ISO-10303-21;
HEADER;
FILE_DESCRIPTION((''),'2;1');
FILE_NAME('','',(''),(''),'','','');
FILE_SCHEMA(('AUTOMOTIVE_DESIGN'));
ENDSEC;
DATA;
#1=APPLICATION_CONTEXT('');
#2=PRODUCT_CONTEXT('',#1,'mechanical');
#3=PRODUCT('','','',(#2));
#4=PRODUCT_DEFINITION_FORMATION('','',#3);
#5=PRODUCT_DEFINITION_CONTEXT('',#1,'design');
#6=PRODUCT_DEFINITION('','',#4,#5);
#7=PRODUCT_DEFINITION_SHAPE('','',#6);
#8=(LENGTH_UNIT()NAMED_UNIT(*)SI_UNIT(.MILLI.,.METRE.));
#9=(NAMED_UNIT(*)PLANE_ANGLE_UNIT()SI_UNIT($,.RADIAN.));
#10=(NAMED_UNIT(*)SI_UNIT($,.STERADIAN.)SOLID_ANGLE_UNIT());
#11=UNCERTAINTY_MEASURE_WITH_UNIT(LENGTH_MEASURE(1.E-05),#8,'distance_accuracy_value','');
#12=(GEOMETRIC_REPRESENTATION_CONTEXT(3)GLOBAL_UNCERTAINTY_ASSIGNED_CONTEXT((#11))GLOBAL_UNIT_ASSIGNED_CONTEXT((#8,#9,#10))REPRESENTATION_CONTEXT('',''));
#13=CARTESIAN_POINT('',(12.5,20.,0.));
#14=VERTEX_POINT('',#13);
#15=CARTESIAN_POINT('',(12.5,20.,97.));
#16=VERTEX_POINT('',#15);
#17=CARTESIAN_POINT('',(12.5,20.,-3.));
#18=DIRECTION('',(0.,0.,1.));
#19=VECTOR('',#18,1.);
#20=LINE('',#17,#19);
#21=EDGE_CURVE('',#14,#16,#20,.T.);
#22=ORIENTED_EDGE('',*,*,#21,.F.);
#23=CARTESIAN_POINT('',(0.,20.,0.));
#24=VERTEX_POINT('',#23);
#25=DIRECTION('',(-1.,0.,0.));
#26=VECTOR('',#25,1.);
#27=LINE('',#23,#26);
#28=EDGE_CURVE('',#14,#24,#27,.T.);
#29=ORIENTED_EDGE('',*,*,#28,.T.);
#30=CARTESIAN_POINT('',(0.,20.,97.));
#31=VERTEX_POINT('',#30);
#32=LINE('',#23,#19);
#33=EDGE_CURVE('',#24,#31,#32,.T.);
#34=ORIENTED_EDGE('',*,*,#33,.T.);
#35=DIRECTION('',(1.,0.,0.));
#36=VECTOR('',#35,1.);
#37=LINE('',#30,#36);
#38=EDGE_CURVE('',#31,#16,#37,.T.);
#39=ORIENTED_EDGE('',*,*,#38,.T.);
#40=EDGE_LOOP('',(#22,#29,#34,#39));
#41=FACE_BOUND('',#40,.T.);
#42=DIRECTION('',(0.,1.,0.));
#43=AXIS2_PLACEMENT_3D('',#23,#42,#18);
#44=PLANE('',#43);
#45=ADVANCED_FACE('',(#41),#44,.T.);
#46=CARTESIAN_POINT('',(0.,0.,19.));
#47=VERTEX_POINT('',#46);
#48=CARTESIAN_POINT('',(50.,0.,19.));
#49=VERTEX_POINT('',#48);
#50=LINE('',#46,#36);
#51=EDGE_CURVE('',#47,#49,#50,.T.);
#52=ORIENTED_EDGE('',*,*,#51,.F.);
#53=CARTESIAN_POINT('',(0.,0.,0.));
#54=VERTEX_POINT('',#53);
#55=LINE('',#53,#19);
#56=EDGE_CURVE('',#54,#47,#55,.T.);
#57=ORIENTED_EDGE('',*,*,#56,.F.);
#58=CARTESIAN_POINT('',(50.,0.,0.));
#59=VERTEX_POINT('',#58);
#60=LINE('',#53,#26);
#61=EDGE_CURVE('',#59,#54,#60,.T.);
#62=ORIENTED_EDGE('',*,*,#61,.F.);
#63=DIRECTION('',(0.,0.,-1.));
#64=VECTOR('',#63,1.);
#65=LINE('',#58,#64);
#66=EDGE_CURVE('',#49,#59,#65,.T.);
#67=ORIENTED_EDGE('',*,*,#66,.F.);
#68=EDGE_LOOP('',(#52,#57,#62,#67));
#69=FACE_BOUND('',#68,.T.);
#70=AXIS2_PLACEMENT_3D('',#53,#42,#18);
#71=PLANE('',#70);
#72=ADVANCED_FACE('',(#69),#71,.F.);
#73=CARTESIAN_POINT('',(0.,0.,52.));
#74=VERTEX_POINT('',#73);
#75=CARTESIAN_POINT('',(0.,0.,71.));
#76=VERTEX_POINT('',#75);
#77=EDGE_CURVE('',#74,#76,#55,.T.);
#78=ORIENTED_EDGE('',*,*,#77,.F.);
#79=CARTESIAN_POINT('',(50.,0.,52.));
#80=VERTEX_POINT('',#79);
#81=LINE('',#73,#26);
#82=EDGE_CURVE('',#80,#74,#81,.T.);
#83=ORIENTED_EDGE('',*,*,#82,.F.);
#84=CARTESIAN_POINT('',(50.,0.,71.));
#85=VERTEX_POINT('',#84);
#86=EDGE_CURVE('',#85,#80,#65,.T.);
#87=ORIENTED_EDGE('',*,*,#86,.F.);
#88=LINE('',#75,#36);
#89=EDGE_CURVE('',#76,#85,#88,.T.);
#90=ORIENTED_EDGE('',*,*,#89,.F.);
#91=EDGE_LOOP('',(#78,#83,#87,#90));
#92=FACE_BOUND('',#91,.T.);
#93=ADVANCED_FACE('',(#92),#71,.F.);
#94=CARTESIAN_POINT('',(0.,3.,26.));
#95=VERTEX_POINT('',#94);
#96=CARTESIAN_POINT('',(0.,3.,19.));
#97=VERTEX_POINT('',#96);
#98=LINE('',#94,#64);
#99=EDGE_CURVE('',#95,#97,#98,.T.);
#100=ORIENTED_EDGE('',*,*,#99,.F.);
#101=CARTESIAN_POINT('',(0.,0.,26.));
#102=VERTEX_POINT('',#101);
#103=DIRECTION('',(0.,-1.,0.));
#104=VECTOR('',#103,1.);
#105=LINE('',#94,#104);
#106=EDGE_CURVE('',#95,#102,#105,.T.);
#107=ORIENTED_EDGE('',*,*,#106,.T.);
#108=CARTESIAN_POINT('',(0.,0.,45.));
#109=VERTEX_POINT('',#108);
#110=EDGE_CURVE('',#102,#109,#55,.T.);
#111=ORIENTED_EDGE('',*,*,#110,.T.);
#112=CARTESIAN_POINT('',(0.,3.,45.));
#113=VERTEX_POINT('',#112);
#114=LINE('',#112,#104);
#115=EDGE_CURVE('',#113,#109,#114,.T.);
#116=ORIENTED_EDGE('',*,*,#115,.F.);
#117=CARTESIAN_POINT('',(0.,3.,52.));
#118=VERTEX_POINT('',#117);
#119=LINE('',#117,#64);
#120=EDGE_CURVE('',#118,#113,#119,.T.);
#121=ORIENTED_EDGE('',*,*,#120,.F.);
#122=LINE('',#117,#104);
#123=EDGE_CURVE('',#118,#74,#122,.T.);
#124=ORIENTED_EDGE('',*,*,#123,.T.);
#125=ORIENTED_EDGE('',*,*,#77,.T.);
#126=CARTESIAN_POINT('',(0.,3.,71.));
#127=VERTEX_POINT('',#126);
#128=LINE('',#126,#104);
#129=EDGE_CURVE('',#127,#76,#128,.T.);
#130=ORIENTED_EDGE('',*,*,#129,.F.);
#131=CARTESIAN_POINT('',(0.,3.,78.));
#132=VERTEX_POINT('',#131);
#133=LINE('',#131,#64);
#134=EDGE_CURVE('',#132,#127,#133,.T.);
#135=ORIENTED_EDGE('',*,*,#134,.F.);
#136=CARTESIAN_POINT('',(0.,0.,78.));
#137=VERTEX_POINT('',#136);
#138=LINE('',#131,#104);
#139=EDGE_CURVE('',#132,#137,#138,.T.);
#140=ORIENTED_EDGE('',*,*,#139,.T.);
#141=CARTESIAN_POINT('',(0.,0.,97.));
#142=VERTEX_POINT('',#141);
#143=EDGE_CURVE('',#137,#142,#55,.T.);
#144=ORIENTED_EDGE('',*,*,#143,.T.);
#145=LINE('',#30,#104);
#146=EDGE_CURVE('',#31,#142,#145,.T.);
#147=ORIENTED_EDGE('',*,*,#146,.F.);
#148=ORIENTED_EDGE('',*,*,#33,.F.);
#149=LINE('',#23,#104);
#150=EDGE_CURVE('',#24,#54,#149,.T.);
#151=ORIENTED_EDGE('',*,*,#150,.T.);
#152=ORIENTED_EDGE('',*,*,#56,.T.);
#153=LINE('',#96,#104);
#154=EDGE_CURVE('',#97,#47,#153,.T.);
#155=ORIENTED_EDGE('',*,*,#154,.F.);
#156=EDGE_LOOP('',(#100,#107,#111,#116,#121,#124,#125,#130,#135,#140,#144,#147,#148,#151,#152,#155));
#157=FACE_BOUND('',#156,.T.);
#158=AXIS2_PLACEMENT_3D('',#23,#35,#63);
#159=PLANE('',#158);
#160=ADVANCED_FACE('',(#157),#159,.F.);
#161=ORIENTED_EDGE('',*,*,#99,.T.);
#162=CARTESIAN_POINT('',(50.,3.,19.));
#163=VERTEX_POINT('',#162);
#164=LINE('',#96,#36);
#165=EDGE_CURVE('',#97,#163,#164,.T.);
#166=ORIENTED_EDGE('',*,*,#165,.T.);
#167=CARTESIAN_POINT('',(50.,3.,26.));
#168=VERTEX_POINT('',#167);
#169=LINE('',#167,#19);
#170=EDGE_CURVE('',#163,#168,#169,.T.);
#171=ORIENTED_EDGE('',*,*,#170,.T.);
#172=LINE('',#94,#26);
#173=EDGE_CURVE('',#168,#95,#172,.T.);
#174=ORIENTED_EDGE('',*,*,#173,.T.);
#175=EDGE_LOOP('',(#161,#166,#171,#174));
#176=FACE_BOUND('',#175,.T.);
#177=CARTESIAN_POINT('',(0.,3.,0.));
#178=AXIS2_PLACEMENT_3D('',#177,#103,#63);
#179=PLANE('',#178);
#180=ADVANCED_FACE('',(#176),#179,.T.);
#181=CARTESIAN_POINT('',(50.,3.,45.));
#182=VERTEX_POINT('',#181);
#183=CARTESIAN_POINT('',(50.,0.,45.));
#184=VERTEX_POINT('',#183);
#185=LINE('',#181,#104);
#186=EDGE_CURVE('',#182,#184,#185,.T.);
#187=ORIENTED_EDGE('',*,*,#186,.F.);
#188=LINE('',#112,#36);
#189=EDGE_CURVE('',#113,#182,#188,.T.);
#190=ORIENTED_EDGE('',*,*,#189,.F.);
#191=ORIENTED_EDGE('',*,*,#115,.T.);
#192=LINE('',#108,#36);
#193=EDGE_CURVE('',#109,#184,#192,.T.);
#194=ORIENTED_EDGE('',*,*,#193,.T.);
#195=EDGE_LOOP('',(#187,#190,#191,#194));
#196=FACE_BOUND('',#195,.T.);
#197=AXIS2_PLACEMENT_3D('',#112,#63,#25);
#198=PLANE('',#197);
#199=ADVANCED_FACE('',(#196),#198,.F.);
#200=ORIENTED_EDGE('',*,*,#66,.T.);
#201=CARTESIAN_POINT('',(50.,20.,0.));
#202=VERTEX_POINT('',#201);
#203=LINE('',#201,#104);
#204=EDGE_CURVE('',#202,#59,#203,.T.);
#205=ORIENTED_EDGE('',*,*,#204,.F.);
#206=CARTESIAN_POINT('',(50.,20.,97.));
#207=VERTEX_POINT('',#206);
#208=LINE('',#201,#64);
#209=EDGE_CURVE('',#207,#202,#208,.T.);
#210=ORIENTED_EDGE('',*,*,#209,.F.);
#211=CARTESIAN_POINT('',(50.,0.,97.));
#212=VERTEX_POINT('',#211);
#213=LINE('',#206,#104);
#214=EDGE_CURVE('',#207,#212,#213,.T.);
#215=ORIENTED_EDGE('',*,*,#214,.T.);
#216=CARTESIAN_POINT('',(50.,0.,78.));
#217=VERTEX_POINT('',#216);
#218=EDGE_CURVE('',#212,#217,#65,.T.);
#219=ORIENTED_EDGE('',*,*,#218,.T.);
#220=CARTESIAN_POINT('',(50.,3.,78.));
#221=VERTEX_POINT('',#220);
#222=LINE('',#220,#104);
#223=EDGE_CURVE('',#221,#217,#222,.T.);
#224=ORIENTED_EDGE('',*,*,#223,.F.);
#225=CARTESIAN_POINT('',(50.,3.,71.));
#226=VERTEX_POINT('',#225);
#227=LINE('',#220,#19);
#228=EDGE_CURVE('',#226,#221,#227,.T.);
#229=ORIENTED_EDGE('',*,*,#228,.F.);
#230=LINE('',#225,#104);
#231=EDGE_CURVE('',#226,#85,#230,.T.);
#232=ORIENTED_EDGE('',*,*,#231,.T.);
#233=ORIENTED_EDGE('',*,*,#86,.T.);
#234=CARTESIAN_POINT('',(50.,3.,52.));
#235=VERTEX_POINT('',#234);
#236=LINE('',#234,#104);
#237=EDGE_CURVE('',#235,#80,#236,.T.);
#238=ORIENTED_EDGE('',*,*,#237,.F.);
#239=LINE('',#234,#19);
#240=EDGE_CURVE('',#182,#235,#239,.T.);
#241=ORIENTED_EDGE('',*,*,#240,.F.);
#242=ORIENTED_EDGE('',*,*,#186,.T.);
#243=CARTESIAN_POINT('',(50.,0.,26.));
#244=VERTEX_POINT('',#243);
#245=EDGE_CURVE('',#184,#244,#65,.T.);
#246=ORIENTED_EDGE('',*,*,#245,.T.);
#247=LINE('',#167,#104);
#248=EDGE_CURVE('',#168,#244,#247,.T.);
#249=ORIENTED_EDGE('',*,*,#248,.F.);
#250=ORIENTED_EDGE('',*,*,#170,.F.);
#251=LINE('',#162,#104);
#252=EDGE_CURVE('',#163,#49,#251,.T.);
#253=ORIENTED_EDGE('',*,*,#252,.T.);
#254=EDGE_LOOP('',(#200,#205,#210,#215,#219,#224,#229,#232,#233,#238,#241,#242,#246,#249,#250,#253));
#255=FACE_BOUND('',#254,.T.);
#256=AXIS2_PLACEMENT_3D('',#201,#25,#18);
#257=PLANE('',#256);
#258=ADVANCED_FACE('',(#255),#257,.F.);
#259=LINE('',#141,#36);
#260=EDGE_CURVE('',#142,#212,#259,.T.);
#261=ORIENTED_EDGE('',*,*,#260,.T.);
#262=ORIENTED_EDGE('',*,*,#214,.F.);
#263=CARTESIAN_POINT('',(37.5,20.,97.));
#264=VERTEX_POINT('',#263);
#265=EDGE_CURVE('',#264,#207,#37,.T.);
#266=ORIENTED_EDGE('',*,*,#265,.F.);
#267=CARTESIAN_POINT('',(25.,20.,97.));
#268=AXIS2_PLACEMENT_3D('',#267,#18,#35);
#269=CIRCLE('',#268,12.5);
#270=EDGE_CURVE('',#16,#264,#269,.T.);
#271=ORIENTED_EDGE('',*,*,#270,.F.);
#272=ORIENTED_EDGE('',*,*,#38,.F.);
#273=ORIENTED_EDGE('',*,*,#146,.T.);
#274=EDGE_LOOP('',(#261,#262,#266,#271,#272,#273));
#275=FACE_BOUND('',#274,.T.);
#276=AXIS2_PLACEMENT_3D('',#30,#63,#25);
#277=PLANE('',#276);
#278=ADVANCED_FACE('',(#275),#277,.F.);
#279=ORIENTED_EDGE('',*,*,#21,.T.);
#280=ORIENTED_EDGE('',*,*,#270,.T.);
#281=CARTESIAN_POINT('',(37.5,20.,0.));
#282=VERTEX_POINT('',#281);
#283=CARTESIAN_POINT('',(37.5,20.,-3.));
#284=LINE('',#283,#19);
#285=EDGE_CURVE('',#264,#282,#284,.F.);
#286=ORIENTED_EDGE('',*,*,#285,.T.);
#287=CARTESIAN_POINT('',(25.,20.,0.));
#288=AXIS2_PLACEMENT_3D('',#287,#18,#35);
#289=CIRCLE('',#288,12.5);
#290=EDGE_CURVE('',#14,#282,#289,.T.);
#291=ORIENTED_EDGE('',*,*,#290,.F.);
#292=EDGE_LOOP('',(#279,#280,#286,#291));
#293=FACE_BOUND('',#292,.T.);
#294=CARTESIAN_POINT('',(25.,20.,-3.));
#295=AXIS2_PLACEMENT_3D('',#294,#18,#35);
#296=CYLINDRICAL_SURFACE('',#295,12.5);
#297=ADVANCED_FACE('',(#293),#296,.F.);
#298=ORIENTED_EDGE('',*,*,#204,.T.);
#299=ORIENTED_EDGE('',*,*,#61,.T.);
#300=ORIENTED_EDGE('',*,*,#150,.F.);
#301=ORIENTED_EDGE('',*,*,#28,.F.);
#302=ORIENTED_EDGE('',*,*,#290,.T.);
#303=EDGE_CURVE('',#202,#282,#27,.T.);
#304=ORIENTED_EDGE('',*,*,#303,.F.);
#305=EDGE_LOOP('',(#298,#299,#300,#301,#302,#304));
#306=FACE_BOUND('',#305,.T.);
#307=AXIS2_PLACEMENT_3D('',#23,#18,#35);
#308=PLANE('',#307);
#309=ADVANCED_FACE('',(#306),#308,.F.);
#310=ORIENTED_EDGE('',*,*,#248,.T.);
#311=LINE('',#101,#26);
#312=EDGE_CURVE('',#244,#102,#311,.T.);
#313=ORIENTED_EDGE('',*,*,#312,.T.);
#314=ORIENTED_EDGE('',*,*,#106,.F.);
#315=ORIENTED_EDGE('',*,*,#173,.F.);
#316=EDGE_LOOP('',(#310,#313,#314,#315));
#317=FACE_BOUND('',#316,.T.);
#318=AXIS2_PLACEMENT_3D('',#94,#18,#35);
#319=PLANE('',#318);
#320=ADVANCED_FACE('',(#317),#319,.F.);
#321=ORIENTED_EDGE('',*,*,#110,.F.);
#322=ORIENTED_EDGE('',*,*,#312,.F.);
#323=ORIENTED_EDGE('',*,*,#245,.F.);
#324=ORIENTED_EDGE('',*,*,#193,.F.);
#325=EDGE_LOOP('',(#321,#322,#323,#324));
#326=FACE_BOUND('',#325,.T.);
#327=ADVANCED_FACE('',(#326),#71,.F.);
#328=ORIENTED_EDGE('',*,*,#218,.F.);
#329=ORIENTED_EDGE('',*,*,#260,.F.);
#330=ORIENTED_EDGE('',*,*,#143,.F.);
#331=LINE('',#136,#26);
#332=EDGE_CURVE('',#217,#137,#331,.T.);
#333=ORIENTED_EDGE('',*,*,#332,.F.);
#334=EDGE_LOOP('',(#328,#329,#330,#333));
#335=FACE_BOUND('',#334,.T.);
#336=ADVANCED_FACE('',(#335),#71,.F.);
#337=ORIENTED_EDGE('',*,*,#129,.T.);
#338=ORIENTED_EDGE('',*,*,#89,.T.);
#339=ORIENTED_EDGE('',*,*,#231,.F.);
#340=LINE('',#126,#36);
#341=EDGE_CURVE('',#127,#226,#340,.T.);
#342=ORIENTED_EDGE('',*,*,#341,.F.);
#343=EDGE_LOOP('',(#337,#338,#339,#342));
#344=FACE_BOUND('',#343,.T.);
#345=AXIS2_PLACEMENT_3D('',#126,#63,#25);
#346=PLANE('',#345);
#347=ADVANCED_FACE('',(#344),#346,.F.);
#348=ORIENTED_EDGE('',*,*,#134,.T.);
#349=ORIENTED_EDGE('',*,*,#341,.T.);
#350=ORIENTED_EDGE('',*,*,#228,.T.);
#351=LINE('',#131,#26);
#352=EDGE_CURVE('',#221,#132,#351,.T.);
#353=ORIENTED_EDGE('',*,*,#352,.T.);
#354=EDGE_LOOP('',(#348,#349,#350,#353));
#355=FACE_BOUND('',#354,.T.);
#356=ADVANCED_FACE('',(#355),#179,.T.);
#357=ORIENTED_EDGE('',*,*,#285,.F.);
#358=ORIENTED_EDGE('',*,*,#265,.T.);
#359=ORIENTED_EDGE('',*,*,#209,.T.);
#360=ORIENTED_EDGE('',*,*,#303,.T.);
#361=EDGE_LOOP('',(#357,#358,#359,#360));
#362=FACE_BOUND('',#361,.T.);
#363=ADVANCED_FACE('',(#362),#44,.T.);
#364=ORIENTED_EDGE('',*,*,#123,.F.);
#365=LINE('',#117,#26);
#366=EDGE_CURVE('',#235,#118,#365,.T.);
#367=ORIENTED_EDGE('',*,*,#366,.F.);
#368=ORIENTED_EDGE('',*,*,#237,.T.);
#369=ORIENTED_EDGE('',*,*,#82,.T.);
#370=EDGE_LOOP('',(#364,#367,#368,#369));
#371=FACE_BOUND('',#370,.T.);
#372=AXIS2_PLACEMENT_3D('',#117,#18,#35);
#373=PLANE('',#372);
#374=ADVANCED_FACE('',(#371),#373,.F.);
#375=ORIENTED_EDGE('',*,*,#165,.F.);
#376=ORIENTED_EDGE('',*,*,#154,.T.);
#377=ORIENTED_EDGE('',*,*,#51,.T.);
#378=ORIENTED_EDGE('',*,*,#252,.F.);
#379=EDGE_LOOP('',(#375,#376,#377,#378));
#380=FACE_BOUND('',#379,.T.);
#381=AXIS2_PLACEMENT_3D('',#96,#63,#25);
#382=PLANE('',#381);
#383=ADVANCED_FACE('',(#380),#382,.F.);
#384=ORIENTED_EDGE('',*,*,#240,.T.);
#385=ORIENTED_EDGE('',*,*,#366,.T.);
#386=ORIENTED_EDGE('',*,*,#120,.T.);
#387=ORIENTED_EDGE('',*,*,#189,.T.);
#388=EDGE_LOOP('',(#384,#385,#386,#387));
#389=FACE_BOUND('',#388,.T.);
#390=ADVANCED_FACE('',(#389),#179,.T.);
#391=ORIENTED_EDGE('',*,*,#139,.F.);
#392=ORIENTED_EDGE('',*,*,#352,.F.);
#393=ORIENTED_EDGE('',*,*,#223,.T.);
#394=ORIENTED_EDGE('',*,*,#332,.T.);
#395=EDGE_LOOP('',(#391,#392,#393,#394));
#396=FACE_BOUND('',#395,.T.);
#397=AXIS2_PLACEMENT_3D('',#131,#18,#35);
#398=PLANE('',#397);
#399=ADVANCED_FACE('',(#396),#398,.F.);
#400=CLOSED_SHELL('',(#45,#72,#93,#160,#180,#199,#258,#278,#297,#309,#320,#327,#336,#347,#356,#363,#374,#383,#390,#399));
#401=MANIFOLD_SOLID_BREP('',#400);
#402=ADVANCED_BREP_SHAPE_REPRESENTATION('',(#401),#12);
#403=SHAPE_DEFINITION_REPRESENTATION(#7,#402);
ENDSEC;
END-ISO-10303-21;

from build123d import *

# Parameters (mm, degrees)
SKETCH1_W           = 50
SKETCH1_H           = 97
BOSS_EXTRUDE1_DEPTH = 20
SKETCH2_R           = 12.5
CUT_EXTRUDE1_DEPTH  = 100
SKETCH3_W           = 50
SKETCH3_H           = 7
CUT_EXTRUDE2_DEPTH  = 3


with BuildPart() as part:
    # Sketch1 → Boss-Extrude1 (new body)
    with BuildSketch(Plane(origin=(0, 0, 0), x_dir=(1, 0, 0), z_dir=(0, 1, 0))):
        with Locations((25, -48.5)):
            Rectangle(SKETCH1_W, SKETCH1_H)
    extrude(amount=BOSS_EXTRUDE1_DEPTH)

    # Sketch2 → Cut-Extrude1 (cut)
    with BuildSketch(Plane.XY.offset(97)):
        with Locations((25, 20)):
            Circle(SKETCH2_R)
    extrude(amount=-CUT_EXTRUDE1_DEPTH, mode=Mode.SUBTRACT)

    # Sketch3 → Cut-Extrude2 (cut)
    with BuildSketch(Plane.XZ):
        with Locations((25, 74.5)):
            Rectangle(SKETCH3_W, SKETCH3_H)
        with Locations((25, 48.5)):
            Rectangle(SKETCH3_W, SKETCH3_H)
        with Locations((25, 22.5)):
            Rectangle(SKETCH3_W, SKETCH3_H)
    extrude(amount=-CUT_EXTRUDE2_DEPTH, mode=Mode.SUBTRACT)


solid = part.part
